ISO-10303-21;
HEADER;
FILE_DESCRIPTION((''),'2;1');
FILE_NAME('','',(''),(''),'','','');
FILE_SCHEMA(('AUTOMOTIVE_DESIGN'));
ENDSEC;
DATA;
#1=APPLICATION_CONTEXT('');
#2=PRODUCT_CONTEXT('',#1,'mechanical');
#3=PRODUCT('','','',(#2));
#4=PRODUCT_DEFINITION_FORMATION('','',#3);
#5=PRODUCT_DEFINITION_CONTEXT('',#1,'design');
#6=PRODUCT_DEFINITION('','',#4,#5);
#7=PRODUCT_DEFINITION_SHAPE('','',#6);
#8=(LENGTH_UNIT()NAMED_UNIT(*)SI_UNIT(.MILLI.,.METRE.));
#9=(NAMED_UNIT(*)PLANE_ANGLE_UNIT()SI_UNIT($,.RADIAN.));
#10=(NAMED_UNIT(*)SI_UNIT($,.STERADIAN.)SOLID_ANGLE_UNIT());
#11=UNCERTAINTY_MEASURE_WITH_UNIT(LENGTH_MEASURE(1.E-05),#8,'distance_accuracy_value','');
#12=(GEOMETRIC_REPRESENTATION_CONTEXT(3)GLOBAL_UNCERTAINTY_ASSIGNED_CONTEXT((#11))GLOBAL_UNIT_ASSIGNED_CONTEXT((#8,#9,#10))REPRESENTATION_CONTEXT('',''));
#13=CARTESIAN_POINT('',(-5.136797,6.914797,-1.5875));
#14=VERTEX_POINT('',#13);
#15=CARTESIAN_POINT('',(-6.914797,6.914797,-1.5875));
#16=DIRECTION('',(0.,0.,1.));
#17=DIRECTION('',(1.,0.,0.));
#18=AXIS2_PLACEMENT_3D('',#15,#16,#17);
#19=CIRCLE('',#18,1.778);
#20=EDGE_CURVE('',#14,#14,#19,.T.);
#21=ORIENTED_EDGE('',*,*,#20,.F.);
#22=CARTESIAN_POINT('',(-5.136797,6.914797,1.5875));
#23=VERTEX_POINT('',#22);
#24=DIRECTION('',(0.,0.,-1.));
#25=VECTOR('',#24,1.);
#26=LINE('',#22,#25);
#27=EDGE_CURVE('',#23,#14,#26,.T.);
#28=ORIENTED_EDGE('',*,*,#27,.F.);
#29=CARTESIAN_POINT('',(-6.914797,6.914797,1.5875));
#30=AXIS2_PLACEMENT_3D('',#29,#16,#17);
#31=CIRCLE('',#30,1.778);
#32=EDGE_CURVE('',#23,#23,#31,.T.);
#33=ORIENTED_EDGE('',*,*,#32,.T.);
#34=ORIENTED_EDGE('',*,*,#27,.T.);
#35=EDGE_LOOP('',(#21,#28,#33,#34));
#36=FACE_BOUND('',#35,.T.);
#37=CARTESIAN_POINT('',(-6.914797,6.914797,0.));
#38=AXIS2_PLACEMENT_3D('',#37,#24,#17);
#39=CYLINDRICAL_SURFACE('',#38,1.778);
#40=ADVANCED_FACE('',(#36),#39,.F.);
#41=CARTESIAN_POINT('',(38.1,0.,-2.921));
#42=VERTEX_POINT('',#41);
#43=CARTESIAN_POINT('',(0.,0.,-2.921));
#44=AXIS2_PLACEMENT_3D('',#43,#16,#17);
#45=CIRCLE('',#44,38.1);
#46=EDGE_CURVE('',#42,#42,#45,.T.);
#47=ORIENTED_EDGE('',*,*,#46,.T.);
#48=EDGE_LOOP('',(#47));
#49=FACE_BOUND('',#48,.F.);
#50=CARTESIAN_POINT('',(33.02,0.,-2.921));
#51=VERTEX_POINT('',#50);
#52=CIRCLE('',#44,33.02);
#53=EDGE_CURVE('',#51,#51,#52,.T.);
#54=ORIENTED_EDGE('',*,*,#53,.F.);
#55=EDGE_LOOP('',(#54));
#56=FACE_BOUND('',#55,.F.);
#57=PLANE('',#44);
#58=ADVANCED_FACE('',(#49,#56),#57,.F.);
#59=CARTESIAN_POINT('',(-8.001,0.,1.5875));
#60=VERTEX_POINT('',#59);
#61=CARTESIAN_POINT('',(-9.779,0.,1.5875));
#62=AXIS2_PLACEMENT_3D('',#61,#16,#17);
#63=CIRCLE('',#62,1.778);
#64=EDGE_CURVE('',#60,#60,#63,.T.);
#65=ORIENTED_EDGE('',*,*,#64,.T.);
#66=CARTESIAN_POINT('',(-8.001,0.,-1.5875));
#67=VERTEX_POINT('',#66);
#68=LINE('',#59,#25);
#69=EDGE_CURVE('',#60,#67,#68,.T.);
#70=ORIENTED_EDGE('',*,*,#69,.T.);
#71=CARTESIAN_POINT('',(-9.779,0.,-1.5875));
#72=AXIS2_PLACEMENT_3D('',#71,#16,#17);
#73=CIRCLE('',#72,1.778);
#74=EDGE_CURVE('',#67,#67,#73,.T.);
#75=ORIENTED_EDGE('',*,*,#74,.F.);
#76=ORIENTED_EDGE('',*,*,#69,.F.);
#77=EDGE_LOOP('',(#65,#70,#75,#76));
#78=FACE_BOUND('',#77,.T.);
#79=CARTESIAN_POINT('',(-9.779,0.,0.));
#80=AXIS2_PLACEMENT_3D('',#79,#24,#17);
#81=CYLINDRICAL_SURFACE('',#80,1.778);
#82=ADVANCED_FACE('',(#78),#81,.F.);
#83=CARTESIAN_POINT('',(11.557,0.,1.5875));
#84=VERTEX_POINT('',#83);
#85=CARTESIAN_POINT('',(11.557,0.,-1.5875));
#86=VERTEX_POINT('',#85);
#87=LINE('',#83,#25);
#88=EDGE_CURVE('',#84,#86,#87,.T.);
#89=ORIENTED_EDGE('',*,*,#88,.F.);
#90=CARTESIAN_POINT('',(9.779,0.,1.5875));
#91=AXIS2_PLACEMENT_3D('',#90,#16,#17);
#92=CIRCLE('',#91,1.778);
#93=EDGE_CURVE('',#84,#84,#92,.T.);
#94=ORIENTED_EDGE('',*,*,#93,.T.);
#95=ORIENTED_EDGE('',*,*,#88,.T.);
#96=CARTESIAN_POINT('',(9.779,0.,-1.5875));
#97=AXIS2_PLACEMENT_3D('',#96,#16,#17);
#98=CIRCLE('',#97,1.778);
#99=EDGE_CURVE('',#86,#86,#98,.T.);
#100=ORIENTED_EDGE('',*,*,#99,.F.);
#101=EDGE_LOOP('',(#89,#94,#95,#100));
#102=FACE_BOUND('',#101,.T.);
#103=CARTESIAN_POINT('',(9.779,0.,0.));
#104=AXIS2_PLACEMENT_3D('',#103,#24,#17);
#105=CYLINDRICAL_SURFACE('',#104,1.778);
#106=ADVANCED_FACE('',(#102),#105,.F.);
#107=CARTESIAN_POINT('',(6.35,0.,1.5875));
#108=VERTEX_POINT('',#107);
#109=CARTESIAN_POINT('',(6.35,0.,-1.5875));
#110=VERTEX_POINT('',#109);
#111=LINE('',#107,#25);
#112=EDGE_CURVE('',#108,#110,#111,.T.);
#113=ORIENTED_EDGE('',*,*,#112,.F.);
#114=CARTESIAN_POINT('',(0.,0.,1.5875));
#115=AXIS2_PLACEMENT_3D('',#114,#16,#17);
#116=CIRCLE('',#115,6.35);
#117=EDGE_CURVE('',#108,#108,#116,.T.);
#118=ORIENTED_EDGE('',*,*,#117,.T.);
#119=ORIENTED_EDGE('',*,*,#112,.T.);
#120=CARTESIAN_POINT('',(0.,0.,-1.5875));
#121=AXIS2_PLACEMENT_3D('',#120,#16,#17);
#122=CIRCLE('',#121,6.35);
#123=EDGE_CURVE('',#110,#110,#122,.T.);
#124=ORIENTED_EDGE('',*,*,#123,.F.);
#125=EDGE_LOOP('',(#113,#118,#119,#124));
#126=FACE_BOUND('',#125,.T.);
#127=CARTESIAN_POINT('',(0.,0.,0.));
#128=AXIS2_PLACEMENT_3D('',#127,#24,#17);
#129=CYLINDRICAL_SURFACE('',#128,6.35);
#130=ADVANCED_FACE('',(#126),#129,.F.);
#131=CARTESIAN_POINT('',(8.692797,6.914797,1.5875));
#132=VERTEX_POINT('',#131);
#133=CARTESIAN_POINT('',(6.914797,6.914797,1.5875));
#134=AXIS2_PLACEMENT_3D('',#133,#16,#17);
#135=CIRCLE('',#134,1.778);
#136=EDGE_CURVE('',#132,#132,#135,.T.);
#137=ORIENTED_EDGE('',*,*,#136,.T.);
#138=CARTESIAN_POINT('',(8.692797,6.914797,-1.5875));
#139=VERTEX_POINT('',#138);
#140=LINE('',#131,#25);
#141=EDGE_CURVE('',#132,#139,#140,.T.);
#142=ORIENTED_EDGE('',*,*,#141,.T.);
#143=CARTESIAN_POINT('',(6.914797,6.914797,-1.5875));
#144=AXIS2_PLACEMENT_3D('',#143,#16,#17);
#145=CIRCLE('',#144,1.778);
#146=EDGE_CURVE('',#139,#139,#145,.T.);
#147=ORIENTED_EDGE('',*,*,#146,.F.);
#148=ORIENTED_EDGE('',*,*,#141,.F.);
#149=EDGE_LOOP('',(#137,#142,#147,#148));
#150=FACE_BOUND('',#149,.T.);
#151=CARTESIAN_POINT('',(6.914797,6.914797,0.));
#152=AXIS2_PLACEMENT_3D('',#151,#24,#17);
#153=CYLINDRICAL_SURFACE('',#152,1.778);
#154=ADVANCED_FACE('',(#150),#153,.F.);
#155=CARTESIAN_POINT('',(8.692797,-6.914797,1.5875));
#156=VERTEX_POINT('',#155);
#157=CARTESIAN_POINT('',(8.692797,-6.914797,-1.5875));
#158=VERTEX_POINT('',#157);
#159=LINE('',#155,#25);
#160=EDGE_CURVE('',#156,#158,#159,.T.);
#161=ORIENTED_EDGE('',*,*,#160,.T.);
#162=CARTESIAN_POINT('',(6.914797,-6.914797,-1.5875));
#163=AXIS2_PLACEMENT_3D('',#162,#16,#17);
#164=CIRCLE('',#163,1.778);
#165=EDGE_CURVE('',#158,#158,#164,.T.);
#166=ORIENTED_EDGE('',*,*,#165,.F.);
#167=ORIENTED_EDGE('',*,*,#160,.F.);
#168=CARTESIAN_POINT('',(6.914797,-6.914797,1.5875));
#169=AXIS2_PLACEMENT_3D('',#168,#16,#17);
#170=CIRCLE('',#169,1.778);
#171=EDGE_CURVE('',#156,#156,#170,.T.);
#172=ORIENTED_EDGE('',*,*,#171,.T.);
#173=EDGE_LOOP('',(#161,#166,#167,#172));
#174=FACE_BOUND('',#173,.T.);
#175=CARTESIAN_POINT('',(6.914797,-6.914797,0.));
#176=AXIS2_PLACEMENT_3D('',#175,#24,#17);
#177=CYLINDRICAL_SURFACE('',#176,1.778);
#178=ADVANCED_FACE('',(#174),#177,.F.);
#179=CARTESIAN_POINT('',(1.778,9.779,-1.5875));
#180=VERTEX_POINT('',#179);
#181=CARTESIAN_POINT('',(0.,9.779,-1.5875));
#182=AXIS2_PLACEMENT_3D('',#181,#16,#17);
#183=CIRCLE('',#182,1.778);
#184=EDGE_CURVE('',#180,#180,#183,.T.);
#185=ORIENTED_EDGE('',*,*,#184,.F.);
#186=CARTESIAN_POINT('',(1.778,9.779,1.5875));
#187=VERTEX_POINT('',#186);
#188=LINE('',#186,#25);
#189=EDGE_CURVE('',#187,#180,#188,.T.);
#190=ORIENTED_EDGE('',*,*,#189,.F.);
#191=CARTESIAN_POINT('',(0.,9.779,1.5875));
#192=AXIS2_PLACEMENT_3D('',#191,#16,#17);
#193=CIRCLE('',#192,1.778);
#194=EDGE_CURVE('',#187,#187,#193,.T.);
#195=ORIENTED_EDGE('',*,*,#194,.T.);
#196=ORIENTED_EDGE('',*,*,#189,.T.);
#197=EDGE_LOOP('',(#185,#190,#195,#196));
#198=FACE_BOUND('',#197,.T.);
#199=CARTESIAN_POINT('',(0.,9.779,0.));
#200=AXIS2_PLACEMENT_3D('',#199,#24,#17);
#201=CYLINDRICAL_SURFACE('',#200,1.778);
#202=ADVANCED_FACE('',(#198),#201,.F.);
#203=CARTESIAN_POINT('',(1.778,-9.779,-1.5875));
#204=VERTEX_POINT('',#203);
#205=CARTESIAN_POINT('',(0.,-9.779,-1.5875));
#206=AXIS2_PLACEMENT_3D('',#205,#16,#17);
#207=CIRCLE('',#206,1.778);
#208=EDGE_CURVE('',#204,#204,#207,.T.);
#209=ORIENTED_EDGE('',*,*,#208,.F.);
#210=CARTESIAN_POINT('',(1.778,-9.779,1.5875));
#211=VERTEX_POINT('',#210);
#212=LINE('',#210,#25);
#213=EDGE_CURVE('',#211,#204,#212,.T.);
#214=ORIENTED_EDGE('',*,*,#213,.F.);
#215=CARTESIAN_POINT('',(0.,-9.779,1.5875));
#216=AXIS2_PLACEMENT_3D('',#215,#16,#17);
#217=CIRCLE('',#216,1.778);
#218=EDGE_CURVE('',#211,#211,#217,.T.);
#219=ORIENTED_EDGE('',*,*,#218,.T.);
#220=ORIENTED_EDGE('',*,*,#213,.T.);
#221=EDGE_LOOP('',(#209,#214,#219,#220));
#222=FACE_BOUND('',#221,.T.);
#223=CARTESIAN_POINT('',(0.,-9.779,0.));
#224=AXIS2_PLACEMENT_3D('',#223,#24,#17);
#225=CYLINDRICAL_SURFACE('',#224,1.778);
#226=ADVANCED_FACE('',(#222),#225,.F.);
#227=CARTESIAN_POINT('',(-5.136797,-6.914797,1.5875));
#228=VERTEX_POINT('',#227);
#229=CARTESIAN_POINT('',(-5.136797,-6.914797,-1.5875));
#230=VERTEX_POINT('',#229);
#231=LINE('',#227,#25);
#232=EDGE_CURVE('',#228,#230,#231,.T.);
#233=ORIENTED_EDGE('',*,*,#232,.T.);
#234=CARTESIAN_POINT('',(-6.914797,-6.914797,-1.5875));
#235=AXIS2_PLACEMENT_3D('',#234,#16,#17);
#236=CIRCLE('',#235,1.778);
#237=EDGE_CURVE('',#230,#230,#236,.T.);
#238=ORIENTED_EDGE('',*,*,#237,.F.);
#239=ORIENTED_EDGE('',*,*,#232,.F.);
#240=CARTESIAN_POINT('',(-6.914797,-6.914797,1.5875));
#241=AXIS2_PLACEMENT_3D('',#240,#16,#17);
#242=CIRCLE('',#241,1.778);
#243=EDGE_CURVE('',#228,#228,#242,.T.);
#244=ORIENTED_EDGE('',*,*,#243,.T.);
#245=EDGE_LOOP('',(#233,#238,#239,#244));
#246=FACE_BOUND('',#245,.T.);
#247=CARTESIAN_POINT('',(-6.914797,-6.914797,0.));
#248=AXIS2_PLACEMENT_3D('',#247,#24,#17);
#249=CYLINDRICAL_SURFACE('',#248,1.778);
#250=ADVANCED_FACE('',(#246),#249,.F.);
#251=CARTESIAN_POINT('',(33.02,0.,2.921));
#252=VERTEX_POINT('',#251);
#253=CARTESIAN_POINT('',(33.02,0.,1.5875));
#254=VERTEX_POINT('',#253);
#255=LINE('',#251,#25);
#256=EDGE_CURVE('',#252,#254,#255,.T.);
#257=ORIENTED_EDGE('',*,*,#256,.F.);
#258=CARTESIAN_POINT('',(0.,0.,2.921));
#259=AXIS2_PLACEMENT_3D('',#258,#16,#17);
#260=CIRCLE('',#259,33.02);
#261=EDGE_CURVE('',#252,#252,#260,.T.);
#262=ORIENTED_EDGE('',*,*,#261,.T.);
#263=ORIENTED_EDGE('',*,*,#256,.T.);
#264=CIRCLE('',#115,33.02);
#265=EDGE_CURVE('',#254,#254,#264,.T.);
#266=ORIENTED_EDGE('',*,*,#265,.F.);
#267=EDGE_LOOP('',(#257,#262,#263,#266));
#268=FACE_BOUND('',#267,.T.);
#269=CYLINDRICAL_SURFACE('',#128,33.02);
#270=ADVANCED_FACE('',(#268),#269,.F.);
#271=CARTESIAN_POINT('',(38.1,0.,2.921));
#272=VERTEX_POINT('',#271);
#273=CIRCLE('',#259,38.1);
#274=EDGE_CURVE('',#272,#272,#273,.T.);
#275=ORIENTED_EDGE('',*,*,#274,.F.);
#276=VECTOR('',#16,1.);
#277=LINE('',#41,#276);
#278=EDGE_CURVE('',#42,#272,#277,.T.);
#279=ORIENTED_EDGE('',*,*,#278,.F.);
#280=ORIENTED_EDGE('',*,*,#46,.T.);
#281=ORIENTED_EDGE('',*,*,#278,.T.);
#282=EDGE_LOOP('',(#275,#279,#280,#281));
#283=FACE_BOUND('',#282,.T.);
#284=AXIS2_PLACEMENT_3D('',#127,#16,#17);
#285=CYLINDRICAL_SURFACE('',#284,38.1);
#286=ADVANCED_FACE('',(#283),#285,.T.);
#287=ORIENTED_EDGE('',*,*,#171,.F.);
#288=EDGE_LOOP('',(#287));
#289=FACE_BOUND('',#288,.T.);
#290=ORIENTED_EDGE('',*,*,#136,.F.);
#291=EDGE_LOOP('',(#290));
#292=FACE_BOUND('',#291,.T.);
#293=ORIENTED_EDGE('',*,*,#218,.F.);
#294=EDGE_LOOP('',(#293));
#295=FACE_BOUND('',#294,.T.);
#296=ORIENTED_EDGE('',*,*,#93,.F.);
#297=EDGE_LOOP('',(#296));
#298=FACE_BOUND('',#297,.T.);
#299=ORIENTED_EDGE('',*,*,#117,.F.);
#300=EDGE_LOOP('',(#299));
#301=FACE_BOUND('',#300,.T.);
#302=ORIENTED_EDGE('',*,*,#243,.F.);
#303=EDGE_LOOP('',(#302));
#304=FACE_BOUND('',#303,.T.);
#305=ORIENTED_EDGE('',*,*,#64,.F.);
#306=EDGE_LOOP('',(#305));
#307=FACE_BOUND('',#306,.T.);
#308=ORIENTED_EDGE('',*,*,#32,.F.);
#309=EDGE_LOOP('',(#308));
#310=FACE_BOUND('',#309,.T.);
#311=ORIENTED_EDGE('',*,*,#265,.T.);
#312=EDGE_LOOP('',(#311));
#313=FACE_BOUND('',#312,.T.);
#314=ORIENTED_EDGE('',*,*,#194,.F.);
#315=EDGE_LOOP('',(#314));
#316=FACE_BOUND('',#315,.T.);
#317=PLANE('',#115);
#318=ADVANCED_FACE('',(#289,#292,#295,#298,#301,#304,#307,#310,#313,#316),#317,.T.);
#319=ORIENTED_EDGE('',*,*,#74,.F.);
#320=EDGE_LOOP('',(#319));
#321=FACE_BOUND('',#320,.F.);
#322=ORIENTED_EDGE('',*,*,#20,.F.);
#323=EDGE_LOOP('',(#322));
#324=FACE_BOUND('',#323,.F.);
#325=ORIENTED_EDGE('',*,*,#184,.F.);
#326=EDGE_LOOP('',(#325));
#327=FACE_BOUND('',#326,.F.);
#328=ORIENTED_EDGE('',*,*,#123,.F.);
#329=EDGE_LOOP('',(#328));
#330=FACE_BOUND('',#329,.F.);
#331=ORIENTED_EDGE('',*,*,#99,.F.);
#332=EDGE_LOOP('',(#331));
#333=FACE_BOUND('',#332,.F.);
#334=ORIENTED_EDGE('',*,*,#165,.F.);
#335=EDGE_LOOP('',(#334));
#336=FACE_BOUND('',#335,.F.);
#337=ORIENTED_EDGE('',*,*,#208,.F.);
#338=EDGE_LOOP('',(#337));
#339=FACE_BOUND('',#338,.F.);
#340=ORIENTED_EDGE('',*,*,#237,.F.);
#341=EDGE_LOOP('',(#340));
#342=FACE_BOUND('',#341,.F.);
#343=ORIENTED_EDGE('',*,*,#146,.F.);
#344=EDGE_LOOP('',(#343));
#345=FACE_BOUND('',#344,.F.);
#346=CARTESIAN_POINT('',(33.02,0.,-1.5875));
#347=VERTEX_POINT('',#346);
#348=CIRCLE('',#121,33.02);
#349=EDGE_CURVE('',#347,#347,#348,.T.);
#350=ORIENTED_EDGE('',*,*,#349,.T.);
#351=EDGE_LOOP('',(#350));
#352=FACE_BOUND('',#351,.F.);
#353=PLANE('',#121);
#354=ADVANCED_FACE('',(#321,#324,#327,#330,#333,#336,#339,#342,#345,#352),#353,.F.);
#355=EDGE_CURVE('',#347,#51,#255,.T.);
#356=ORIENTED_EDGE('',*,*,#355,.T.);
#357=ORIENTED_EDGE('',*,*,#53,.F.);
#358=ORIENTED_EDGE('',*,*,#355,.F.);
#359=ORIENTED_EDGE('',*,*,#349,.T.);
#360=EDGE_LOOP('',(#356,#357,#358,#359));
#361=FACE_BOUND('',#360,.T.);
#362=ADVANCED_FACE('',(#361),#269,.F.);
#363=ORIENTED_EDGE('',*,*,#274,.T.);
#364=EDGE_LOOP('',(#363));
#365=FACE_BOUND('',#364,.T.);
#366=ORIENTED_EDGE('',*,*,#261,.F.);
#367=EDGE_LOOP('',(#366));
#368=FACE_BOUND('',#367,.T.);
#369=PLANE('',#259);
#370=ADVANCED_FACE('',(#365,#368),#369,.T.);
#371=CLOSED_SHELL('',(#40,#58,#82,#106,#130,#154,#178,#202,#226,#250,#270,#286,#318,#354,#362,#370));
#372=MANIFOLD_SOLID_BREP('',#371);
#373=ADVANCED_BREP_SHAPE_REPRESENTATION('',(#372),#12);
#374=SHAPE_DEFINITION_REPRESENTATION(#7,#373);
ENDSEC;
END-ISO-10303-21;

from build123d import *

# Parameters (mm, degrees)
SKETCH1_R           = 38.1
SKETCH1_R_2         = 33.02
BOSS_EXTRUDE1_DEPTH = 2.921
SKETCH3_R           = 33.02
SKETCH3_R_2         = 6.35
SKETCH3_R_3         = 1.778
BOSS_EXTRUDE2_DEPTH = 1.5875


with BuildPart() as part:
    # Sketch1 → Boss-Extrude1 (new body, symmetric)
    with BuildSketch(Plane.XY):
        Circle(SKETCH1_R)
        Circle(SKETCH1_R_2, mode=Mode.SUBTRACT)
    extrude(amount=BOSS_EXTRUDE1_DEPTH, both=True)

    # Sketch3 → Boss-Extrude2 (add, symmetric)
    with BuildSketch(Plane.XY):
        Circle(SKETCH3_R)
        Circle(SKETCH3_R_2, mode=Mode.SUBTRACT)
        with Locations((0, 9.779)):
            Circle(SKETCH3_R_3, mode=Mode.SUBTRACT)
        with Locations((6.914797213, 6.914797213)):
            Circle(SKETCH3_R_3, mode=Mode.SUBTRACT)
        with Locations((9.779, 0)):
            Circle(SKETCH3_R_3, mode=Mode.SUBTRACT)
        with Locations((6.914797213, -6.914797213)):
            Circle(SKETCH3_R_3, mode=Mode.SUBTRACT)
        with Locations((0, -9.779)):
            Circle(SKETCH3_R_3, mode=Mode.SUBTRACT)
        with Locations((-6.914797213, -6.914797213)):
            Circle(SKETCH3_R_3, mode=Mode.SUBTRACT)
        with Locations((-9.779, 0)):
            Circle(SKETCH3_R_3, mode=Mode.SUBTRACT)
        with Locations((-6.914797213, 6.914797213)):
            Circle(SKETCH3_R_3, mode=Mode.SUBTRACT)
    extrude(amount=BOSS_EXTRUDE2_DEPTH, both=True)


solid = part.part
